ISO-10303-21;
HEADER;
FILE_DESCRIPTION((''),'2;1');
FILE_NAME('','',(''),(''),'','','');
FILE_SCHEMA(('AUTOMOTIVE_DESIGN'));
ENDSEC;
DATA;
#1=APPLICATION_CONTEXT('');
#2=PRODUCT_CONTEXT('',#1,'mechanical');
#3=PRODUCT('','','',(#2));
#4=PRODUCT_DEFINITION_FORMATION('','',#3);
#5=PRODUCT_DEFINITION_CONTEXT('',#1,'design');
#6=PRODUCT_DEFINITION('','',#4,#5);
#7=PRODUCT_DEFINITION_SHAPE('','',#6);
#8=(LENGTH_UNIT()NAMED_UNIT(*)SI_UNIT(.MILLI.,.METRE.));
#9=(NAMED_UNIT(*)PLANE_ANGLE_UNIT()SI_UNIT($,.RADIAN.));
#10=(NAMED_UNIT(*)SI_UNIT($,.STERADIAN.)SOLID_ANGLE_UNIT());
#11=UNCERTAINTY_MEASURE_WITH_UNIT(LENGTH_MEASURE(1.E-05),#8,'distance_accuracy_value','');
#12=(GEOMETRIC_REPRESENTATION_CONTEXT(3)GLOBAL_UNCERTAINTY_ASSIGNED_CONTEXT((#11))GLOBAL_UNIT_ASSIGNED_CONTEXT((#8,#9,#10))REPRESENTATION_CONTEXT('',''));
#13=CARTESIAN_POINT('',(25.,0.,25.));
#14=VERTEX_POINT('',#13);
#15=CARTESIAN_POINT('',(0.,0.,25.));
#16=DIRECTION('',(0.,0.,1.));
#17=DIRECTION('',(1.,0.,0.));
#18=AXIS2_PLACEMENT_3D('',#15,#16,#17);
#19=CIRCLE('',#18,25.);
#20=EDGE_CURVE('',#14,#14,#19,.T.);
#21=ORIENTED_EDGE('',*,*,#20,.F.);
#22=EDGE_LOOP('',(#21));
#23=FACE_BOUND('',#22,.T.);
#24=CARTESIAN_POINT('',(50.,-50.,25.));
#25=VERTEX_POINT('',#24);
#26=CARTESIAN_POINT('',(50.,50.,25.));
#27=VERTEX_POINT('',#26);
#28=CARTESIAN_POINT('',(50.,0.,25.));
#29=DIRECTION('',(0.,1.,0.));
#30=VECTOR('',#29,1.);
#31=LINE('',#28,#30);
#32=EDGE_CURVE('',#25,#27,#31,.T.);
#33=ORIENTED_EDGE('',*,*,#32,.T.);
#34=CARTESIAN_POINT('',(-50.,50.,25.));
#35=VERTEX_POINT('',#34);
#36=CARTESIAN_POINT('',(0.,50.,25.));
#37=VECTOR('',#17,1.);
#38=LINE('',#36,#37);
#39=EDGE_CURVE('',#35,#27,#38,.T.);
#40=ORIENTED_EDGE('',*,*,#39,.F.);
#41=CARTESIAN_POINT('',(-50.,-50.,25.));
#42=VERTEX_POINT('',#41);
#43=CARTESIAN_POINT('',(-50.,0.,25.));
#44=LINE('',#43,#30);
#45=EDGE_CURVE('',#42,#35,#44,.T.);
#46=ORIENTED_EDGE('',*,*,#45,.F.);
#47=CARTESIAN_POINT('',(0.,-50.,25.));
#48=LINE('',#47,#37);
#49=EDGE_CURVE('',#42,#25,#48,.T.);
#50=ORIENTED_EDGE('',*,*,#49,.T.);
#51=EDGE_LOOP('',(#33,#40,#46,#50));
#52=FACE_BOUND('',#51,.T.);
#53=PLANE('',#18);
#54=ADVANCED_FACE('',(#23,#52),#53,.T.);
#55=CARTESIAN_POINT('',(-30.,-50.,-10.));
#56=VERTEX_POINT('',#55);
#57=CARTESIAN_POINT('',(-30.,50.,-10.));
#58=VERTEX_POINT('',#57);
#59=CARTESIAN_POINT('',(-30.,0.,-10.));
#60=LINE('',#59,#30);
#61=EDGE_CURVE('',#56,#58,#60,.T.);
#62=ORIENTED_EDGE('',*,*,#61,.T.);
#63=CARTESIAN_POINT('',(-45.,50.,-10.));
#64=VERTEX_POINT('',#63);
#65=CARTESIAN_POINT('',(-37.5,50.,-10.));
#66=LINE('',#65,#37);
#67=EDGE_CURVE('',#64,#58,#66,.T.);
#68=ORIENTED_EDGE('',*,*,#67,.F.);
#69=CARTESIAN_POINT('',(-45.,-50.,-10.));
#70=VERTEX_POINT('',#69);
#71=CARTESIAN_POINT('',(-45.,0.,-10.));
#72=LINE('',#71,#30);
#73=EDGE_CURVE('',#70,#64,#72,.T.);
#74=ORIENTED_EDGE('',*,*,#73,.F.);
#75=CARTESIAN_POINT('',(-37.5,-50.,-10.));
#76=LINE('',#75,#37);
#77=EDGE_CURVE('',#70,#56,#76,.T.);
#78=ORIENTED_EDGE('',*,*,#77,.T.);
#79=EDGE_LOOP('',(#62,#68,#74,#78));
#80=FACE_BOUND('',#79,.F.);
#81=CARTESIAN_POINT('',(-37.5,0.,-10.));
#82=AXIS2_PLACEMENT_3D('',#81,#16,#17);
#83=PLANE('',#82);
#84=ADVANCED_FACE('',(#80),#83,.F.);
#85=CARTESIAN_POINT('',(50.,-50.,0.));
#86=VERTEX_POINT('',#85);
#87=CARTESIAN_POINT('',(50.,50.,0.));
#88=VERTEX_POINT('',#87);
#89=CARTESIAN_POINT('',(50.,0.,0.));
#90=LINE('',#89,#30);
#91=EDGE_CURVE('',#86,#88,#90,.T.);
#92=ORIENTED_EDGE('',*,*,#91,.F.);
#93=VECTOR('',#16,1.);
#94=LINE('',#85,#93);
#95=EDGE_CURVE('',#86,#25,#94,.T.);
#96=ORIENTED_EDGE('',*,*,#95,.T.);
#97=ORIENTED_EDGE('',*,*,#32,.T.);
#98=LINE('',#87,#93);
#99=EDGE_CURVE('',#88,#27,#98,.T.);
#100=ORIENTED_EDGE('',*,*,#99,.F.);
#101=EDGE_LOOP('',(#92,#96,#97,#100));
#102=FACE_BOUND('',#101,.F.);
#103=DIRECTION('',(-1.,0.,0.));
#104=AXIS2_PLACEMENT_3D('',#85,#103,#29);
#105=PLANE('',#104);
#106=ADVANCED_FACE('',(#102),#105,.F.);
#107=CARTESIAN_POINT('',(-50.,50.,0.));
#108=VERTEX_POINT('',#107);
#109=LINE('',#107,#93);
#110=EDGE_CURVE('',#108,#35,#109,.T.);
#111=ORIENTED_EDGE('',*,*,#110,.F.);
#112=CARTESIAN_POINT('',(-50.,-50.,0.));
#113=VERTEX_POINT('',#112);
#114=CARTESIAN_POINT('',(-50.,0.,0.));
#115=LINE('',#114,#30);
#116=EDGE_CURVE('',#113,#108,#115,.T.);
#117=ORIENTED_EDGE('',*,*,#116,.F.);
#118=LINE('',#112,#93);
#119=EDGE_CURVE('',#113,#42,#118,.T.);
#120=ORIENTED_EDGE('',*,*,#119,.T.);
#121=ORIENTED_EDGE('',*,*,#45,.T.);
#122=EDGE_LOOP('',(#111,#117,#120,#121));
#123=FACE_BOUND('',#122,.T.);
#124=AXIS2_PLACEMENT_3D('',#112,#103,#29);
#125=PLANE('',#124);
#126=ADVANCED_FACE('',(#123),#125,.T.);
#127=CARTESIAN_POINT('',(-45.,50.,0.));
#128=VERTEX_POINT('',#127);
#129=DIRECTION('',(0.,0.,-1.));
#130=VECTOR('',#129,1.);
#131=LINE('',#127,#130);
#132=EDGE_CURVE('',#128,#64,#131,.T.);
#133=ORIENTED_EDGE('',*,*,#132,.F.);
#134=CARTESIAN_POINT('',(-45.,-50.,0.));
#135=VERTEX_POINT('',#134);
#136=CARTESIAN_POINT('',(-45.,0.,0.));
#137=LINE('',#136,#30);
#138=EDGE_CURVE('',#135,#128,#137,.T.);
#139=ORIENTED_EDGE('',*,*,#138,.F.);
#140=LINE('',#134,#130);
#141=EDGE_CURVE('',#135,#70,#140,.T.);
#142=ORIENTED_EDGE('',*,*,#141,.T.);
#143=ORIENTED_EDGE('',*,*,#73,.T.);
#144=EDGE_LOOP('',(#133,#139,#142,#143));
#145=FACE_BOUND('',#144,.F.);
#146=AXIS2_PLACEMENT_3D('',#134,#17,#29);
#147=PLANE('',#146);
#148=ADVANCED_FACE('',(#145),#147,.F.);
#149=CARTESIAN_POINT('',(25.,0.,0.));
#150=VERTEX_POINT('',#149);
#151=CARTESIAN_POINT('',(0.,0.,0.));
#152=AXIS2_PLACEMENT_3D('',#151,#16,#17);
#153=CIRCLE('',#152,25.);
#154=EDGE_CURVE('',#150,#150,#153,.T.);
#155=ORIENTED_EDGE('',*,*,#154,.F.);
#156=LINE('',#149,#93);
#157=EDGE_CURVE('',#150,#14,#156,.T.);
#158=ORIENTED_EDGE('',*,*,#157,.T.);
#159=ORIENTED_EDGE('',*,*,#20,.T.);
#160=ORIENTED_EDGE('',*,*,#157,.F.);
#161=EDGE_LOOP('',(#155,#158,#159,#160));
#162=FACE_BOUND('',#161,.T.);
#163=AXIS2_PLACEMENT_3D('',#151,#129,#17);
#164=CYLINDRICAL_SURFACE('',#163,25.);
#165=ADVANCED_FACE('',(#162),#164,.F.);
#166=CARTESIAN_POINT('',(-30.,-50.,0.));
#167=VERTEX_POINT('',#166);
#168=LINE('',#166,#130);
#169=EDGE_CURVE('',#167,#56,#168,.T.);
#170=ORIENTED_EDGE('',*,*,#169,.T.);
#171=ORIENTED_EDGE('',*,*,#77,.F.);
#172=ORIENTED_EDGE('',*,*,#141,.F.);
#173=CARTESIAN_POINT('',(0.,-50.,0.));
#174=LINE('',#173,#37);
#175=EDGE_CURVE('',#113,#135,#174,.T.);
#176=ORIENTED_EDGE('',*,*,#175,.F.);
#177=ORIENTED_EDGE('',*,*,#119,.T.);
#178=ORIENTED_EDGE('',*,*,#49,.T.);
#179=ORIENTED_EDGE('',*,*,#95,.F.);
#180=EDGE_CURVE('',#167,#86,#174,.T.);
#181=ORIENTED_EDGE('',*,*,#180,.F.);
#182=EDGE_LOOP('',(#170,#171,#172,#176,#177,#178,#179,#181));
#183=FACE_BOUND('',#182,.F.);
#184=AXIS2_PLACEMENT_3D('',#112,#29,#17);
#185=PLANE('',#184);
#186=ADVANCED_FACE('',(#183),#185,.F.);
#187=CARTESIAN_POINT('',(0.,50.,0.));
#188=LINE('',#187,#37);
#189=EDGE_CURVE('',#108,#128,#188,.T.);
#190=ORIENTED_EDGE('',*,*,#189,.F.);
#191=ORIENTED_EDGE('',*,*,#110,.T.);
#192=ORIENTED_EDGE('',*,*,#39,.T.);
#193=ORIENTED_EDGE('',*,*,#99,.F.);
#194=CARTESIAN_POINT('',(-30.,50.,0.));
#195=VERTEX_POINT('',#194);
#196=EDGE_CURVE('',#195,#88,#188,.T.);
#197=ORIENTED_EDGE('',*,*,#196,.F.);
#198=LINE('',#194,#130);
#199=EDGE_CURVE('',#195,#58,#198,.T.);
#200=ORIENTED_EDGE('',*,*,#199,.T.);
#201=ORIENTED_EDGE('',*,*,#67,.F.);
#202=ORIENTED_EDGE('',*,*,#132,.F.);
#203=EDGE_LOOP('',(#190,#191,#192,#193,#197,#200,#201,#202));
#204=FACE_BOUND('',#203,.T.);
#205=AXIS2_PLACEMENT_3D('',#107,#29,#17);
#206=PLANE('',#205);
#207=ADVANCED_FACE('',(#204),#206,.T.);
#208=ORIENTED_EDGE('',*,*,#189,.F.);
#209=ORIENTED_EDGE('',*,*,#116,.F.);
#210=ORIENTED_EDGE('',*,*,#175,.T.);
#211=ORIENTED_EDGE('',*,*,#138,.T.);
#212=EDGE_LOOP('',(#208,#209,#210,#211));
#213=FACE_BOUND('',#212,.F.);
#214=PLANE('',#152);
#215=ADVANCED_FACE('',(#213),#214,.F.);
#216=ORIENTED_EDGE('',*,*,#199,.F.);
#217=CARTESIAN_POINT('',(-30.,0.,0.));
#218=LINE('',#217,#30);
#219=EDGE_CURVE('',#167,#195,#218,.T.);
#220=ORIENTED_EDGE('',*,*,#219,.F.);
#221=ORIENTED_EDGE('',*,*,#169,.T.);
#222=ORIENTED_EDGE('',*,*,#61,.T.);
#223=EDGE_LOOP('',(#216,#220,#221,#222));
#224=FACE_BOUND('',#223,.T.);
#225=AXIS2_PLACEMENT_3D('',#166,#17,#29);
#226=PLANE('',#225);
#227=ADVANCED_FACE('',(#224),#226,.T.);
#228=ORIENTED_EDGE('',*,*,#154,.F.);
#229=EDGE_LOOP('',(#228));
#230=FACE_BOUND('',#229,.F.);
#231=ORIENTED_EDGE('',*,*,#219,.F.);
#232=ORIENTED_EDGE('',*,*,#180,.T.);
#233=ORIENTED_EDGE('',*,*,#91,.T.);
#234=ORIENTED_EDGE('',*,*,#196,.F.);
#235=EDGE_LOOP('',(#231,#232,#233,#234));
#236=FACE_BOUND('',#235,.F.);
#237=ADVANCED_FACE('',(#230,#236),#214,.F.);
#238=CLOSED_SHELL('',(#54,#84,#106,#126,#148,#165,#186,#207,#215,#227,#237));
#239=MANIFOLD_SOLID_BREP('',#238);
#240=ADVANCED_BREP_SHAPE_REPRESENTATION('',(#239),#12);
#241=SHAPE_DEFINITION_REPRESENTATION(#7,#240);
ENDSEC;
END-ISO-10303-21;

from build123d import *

# Parameters (mm, degrees)
F0_W     = 100
F0_H     = 100
F0_R     = 25
F2_DEPTH = 25
F1_W     = 15
F1_H     = 100
F3_DEPTH = 10


with BuildPart() as f2:
    # F0 (on Top) → F2 (new body)
    with BuildSketch(Plane.XY):
        Rectangle(F0_W, F0_H)
        Circle(F0_R, mode=Mode.SUBTRACT)
    extrude(amount=F2_DEPTH)

    # F1 (on face) → F3 (join)
    with BuildSketch(Plane.XY):
        with Locations((-37.5, 0)):
            Rectangle(F1_W, F1_H)
    extrude(amount=-F3_DEPTH)


solid = f2.part
